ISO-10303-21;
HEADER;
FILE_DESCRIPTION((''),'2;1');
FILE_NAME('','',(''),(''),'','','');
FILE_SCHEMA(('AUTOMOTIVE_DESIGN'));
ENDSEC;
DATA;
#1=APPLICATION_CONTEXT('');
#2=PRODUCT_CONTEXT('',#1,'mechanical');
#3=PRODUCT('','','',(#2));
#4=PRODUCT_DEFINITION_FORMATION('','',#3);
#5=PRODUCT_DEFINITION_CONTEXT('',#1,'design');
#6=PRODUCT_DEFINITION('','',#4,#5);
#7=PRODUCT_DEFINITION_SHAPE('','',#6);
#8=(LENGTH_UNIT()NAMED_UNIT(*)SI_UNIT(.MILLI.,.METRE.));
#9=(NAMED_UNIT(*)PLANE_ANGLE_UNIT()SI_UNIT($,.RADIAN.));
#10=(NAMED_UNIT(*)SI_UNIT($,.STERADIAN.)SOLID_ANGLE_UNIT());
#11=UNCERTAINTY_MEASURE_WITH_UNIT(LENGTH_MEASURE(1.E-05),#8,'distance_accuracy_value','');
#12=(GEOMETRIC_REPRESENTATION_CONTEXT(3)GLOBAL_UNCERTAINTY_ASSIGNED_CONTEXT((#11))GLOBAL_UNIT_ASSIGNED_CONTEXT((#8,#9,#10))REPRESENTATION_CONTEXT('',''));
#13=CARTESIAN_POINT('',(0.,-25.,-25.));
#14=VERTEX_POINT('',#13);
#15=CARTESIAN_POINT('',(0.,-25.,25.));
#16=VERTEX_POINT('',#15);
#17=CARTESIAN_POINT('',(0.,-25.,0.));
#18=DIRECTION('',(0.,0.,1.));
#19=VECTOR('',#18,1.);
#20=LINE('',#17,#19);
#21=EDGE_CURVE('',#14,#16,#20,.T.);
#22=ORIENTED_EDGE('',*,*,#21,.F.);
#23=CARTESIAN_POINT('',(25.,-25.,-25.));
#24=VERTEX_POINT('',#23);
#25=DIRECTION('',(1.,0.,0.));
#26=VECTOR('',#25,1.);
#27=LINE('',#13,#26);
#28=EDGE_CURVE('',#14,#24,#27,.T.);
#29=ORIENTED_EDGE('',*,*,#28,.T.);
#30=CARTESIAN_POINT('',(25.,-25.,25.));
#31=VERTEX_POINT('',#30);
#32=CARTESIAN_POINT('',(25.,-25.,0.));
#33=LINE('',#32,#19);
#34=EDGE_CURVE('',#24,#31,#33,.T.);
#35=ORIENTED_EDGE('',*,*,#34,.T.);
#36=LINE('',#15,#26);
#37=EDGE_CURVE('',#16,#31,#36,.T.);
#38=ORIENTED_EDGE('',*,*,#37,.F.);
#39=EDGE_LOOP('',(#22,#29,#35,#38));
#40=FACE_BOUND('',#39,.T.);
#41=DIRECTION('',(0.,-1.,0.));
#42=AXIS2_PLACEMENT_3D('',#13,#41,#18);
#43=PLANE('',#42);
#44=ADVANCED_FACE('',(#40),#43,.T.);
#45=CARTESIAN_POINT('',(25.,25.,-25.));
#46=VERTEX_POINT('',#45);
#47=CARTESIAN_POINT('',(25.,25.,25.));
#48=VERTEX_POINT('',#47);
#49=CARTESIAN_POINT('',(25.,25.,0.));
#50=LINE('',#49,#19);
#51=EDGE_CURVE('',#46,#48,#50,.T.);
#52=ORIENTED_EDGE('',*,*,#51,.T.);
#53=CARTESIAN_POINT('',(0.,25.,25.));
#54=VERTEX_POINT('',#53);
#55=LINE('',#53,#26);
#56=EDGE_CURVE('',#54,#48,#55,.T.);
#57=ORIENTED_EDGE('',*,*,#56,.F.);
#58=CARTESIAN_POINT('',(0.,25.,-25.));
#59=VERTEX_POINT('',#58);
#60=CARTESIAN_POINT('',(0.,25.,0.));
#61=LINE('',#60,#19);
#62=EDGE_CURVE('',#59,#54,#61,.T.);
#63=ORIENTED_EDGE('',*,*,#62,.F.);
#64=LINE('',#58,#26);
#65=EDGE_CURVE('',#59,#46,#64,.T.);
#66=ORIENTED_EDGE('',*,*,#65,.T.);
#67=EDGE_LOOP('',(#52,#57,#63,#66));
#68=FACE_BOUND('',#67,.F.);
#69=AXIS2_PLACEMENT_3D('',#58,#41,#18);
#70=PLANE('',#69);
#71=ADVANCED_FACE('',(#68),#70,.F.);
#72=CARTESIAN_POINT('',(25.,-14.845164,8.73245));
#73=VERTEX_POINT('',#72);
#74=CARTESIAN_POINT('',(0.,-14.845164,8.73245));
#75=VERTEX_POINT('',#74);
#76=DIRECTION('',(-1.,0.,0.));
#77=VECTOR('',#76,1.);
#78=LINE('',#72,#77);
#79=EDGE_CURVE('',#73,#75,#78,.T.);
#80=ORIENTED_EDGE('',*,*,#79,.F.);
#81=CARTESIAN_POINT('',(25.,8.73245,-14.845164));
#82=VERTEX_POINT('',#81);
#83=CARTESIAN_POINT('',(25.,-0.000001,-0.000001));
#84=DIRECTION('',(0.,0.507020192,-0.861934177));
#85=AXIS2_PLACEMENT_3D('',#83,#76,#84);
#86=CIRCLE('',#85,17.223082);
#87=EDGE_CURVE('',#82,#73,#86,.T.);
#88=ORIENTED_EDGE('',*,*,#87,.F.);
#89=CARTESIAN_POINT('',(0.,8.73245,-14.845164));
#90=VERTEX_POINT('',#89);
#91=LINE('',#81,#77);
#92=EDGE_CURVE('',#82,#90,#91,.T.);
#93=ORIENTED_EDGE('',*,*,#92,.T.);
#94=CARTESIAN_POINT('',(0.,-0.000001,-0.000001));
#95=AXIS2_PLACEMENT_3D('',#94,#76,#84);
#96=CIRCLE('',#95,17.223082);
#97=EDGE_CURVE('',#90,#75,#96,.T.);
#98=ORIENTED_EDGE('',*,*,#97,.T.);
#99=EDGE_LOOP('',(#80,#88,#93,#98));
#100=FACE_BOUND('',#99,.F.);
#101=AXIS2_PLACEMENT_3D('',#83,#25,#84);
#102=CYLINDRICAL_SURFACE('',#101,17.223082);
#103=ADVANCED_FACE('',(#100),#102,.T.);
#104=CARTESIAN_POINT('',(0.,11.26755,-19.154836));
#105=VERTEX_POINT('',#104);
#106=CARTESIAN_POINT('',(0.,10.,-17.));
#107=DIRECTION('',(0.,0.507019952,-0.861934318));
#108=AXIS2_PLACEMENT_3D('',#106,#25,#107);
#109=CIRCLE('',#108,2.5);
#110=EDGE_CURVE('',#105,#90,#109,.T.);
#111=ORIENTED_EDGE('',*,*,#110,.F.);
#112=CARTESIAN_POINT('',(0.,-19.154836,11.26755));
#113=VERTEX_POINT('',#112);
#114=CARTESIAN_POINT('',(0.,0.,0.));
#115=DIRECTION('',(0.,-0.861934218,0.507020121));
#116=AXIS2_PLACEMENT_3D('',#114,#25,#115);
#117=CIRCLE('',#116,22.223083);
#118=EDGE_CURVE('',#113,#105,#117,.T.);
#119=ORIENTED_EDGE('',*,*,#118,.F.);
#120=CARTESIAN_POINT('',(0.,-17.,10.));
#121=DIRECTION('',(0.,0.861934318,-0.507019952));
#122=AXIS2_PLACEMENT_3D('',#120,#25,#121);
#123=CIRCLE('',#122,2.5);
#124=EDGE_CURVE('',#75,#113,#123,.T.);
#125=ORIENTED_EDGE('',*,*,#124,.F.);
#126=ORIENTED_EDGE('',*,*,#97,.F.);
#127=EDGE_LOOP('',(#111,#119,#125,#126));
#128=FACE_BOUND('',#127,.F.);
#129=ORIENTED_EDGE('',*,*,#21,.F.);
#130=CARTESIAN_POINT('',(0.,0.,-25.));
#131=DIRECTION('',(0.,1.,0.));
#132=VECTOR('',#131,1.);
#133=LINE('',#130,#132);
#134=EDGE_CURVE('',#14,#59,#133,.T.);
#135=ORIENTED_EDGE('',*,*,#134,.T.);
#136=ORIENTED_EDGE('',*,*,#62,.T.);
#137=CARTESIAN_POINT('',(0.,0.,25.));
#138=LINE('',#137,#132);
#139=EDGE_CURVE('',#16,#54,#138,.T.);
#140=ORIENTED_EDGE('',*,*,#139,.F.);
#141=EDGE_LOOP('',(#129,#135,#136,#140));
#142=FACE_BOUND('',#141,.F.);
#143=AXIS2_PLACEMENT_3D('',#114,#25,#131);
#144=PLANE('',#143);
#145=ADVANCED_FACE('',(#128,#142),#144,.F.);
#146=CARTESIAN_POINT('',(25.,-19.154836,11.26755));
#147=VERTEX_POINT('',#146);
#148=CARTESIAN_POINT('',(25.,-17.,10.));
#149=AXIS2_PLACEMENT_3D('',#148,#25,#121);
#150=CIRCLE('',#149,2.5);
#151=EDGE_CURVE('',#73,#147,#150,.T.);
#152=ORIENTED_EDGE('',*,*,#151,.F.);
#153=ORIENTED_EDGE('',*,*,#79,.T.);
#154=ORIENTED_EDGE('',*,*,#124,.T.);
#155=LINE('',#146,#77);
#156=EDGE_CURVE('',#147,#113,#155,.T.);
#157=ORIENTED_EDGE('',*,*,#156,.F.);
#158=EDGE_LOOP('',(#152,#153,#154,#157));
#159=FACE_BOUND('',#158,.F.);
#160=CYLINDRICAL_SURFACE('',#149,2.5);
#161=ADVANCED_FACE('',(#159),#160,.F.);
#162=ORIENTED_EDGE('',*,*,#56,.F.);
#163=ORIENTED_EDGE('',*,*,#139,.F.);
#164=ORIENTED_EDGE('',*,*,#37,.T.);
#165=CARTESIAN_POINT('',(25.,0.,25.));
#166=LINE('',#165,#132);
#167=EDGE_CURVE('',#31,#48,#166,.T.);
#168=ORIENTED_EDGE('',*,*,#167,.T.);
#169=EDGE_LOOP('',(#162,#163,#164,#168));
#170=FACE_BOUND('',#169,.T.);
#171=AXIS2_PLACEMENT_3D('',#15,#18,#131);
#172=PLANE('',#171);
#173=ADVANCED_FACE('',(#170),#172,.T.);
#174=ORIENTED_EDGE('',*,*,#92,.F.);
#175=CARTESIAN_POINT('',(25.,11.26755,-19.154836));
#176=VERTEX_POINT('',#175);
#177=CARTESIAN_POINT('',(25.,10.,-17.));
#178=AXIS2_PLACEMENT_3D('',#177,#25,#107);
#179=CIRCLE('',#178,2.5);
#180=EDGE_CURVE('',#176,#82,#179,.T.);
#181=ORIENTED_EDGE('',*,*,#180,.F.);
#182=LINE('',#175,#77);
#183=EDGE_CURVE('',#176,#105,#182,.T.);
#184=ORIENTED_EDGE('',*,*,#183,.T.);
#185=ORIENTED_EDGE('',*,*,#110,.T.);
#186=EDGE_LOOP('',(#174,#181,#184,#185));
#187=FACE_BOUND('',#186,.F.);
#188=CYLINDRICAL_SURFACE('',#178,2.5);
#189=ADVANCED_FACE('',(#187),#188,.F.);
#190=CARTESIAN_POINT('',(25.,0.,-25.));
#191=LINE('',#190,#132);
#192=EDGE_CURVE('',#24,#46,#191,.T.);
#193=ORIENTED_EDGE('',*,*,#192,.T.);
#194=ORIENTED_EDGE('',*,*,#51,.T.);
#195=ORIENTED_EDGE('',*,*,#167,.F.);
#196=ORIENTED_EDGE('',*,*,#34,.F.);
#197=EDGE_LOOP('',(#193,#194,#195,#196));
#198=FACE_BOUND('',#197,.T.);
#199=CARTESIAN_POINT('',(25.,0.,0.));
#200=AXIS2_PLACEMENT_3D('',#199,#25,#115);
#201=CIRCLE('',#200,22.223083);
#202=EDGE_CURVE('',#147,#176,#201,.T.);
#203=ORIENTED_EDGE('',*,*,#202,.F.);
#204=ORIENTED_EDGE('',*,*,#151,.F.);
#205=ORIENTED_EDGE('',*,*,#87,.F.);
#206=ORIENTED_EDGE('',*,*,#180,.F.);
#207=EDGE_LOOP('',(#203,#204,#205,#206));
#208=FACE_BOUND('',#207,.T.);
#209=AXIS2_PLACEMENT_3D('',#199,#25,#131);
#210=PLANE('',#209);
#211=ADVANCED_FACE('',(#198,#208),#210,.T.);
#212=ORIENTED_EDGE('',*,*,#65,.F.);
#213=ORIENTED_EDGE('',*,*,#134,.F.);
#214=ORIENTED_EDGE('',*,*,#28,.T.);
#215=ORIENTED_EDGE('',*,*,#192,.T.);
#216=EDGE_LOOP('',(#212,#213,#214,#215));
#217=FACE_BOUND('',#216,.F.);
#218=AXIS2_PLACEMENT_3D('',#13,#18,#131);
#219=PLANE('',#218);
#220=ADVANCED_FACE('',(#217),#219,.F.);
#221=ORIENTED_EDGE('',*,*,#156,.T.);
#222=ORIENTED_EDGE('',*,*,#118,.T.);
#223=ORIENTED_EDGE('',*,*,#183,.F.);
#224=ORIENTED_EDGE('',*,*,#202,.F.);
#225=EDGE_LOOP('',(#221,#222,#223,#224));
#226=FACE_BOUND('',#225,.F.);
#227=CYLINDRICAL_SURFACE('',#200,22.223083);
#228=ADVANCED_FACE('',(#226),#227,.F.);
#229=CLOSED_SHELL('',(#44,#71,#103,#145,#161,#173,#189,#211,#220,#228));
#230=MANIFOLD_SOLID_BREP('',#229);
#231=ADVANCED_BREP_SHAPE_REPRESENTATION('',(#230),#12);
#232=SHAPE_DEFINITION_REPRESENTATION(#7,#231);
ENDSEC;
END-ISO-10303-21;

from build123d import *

# Parameters (mm, degrees)
F0_W     = 50
F0_H     = 50
F1_DEPTH = 25
F3_DEPTH = 25


with BuildPart() as f1:
    # F0 (on Right) → F1 (new body)
    with BuildSketch(Plane.YZ):
        Rectangle(F0_W, F0_H)
    extrude(amount=F1_DEPTH)

    # F2 (on face) → F3 (cut)
    with BuildSketch(Plane.YZ.offset(25)):
        with BuildLine():
            ThreePointArc((8.73245, -14.845164), (-12.178559, -12.178559), (-14.845164, 8.73245))
            ThreePointArc((-14.845164, 8.73245), (-15.73245, 12.154836), (-19.154836, 11.26755))
            ThreePointArc((-19.154836, 11.26755), (-15.714093, -15.714093), (11.26755, -19.154836))
            ThreePointArc((11.26755, -19.154836), (12.154836, -15.73245), (8.73245, -14.845164))
        make_face()
    extrude(amount=-F3_DEPTH, mode=Mode.SUBTRACT)


solid = f1.part
